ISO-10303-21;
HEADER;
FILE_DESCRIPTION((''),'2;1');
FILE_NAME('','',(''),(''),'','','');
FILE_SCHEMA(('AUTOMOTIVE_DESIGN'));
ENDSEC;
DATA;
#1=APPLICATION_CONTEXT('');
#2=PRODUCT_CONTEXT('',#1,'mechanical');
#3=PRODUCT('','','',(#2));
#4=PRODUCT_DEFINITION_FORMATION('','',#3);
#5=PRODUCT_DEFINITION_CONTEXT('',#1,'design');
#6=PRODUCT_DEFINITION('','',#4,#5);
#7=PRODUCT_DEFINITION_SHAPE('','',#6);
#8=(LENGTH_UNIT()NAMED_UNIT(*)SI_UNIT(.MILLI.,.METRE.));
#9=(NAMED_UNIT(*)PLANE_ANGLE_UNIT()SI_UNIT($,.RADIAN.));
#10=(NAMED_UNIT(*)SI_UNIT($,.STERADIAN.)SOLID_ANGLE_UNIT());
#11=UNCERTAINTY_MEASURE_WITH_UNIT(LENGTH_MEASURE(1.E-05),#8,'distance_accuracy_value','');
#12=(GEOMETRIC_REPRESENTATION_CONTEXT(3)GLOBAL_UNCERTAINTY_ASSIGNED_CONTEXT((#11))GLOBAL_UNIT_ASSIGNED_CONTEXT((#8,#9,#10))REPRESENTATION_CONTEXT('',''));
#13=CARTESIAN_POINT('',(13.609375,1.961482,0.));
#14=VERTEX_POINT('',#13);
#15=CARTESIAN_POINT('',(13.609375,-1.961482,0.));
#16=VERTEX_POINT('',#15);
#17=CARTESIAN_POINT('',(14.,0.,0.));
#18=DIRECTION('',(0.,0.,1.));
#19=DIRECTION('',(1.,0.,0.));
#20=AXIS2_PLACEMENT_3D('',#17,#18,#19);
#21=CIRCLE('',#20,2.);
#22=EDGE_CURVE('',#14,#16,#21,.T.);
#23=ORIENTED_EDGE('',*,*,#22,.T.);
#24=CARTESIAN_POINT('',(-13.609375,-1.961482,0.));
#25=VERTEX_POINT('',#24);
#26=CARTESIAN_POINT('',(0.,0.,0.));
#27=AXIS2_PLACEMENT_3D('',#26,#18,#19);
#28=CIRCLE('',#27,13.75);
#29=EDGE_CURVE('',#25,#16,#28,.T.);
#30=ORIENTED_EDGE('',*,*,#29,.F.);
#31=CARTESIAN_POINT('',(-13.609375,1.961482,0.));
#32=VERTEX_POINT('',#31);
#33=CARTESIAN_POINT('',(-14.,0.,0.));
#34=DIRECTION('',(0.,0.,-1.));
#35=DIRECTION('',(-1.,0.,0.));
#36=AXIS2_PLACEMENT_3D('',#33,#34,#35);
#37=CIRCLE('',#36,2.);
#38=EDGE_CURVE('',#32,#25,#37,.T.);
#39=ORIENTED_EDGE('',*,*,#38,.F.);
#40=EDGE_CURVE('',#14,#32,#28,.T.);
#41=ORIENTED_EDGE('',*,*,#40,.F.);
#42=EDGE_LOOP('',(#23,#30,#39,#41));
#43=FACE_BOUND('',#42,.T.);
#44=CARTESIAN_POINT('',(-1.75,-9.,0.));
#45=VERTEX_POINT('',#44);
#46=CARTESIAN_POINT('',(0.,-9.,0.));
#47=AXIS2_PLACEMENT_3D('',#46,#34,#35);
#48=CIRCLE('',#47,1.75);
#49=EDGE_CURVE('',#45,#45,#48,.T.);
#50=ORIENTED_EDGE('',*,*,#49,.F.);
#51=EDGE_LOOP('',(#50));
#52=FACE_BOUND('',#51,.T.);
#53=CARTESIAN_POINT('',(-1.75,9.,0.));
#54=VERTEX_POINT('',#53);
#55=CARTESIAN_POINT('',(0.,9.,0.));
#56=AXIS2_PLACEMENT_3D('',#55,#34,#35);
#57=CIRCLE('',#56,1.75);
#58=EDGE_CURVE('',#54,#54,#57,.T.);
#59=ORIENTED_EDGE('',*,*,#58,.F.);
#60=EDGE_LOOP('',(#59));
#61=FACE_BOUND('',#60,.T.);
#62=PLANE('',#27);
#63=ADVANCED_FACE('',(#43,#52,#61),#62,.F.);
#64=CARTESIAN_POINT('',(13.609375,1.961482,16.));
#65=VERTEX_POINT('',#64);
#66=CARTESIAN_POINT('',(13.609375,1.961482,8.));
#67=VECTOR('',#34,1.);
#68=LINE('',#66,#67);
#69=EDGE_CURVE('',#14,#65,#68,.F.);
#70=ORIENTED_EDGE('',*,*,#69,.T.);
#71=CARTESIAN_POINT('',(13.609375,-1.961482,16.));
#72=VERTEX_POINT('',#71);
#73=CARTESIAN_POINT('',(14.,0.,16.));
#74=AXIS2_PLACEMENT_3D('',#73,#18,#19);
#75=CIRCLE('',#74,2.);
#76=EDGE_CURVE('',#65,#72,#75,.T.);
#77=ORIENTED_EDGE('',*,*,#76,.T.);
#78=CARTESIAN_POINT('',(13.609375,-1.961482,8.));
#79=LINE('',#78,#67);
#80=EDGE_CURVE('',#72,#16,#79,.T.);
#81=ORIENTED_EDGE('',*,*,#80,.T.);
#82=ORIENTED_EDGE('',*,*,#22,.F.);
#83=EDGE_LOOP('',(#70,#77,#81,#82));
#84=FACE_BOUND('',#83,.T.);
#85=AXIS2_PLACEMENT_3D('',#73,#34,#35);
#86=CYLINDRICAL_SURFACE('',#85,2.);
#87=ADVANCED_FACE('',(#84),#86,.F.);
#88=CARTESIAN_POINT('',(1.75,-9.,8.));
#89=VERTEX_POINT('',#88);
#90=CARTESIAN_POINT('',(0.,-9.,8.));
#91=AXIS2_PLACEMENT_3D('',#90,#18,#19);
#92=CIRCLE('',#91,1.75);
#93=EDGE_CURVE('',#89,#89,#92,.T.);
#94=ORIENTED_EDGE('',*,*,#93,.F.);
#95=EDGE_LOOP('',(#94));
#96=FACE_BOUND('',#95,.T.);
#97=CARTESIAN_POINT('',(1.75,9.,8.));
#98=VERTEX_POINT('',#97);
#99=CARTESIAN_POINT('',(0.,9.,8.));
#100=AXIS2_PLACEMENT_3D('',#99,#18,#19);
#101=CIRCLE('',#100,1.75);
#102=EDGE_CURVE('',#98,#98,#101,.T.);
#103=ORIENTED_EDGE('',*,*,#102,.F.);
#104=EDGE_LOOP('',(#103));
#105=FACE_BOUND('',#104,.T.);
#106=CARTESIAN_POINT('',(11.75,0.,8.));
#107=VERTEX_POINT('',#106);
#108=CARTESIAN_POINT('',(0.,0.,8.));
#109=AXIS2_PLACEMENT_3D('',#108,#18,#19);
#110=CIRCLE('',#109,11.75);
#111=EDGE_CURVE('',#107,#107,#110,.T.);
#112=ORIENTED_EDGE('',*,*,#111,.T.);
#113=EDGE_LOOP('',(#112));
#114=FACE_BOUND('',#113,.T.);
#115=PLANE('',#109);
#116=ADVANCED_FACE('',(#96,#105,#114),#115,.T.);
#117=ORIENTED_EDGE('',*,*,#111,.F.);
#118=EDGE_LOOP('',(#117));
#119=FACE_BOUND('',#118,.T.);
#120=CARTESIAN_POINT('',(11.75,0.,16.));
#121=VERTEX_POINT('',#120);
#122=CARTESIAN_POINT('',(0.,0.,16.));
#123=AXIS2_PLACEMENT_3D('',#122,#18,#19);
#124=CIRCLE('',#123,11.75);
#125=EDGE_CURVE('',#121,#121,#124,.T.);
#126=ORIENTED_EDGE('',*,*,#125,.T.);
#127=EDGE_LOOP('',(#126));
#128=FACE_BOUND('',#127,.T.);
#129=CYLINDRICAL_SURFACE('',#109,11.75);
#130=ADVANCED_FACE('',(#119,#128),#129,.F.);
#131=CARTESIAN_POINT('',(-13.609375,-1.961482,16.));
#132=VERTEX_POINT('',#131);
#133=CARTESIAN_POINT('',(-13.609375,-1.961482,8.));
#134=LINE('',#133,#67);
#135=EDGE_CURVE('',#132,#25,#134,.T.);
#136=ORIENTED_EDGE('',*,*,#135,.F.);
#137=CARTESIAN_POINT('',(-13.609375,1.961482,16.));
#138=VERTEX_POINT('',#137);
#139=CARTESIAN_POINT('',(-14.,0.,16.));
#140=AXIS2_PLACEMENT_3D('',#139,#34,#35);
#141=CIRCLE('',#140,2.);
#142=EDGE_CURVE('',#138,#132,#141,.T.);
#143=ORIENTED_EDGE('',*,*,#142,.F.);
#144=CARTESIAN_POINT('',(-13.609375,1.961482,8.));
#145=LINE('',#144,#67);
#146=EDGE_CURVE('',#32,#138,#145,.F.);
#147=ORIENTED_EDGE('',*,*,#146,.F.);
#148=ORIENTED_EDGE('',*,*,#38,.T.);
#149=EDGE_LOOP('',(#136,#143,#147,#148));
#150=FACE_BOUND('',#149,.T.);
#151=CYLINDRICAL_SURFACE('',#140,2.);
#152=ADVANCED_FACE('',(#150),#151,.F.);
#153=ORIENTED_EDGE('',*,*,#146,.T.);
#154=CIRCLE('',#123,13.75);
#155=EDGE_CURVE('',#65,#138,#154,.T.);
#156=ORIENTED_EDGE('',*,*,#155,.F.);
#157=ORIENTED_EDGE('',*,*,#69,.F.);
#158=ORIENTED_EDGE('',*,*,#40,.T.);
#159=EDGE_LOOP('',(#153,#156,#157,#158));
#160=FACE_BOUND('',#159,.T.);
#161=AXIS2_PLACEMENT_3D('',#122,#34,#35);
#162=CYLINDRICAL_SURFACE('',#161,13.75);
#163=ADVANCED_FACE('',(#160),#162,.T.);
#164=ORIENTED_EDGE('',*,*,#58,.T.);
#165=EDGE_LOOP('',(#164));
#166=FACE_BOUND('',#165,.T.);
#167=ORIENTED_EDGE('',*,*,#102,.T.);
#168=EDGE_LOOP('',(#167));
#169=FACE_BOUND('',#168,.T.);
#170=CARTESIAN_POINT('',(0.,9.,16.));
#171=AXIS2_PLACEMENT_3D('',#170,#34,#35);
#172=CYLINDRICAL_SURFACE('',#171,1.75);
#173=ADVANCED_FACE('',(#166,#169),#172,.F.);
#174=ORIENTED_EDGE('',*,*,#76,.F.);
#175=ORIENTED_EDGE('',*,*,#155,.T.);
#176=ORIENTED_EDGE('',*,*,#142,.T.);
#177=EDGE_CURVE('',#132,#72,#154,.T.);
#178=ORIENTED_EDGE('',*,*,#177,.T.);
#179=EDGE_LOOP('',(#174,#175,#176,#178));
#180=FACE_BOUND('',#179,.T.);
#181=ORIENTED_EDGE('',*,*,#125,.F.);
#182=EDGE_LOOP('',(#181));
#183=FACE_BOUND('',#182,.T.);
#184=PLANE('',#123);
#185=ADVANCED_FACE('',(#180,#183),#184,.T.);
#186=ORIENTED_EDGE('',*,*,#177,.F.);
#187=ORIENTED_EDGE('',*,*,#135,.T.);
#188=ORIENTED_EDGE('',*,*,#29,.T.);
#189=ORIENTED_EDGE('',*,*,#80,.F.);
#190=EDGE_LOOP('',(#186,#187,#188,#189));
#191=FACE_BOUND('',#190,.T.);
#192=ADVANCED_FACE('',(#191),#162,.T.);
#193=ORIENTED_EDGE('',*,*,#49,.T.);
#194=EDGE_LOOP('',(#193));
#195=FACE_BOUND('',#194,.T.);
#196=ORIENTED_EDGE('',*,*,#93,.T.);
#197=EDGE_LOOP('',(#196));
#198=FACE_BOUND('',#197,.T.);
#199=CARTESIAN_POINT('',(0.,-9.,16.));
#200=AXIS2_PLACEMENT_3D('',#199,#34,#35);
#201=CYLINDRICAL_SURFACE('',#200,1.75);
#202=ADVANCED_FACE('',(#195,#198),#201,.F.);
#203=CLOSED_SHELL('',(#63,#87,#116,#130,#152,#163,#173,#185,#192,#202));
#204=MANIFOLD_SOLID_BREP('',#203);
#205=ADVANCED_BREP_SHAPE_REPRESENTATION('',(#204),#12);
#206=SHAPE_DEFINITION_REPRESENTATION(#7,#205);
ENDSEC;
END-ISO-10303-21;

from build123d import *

# Parameters (mm, degrees)
SKETCH1_R           = 13.75
BOSS_EXTRUDE1_DEPTH = 16
SKETCH2_R           = 11.75
CUT_EXTRUDE1_DEPTH  = 8
SKETCH3_R           = 1.75
CUT_EXTRUDE2_DEPTH  = 26.181838694
SKETCH4_R           = 2
CUT_EXTRUDE4_DEPTH  = 26.181838694


with BuildPart() as part:
    # Sketch1 → Boss-Extrude1 (new body)
    with BuildSketch(Plane(origin=(0, 0, 0), x_dir=(0, 1, 0), z_dir=(0, 0, 1))):
        with Locations(Location((0, 0, 0), (0, 0, 270))):
            Circle(SKETCH1_R)
    extrude(amount=BOSS_EXTRUDE1_DEPTH)

    # Sketch2 → Cut-Extrude1 (cut)
    with BuildSketch(Plane(origin=(0, 0, 16), x_dir=(0, -1, 0), z_dir=(0, 0, 1))):
        with Locations(Location((0, 0, 0), (0, 0, 90))):
            Circle(SKETCH2_R)
    extrude(amount=-CUT_EXTRUDE1_DEPTH, mode=Mode.SUBTRACT)

    # Sketch3 → Cut-Extrude2 (cut, through all)
    with BuildSketch(Plane(origin=(0, 0, 0), x_dir=(1, 0, 0), z_dir=(0, 0, -1))):
        with Locations(Location((0, 9, 0), (0, 0, 180))):
            Circle(SKETCH3_R)
        with Locations(Location((0, -9, 0), (0, 0, 180))):
            Circle(SKETCH3_R)
    extrude(amount=-CUT_EXTRUDE2_DEPTH, mode=Mode.SUBTRACT)

    # Sketch4 → Cut-Extrude4 (cut, through all)
    with BuildSketch(Plane(origin=(0, 0, 0), x_dir=(1, 0, 0), z_dir=(0, 0, -1))):
        with Locations((-14, 0)):
            Circle(SKETCH4_R)
    cut_extrude4 = extrude(amount=-CUT_EXTRUDE4_DEPTH, mode=Mode.SUBTRACT)

    # Mirror1: Cut-Extrude4 across plane
    add(cut_extrude4.mirror(Plane(origin=(0, 0, 0), x_dir=(0, 0, 1), z_dir=(1, 0, 0))), mode=Mode.SUBTRACT)


solid = part.part
